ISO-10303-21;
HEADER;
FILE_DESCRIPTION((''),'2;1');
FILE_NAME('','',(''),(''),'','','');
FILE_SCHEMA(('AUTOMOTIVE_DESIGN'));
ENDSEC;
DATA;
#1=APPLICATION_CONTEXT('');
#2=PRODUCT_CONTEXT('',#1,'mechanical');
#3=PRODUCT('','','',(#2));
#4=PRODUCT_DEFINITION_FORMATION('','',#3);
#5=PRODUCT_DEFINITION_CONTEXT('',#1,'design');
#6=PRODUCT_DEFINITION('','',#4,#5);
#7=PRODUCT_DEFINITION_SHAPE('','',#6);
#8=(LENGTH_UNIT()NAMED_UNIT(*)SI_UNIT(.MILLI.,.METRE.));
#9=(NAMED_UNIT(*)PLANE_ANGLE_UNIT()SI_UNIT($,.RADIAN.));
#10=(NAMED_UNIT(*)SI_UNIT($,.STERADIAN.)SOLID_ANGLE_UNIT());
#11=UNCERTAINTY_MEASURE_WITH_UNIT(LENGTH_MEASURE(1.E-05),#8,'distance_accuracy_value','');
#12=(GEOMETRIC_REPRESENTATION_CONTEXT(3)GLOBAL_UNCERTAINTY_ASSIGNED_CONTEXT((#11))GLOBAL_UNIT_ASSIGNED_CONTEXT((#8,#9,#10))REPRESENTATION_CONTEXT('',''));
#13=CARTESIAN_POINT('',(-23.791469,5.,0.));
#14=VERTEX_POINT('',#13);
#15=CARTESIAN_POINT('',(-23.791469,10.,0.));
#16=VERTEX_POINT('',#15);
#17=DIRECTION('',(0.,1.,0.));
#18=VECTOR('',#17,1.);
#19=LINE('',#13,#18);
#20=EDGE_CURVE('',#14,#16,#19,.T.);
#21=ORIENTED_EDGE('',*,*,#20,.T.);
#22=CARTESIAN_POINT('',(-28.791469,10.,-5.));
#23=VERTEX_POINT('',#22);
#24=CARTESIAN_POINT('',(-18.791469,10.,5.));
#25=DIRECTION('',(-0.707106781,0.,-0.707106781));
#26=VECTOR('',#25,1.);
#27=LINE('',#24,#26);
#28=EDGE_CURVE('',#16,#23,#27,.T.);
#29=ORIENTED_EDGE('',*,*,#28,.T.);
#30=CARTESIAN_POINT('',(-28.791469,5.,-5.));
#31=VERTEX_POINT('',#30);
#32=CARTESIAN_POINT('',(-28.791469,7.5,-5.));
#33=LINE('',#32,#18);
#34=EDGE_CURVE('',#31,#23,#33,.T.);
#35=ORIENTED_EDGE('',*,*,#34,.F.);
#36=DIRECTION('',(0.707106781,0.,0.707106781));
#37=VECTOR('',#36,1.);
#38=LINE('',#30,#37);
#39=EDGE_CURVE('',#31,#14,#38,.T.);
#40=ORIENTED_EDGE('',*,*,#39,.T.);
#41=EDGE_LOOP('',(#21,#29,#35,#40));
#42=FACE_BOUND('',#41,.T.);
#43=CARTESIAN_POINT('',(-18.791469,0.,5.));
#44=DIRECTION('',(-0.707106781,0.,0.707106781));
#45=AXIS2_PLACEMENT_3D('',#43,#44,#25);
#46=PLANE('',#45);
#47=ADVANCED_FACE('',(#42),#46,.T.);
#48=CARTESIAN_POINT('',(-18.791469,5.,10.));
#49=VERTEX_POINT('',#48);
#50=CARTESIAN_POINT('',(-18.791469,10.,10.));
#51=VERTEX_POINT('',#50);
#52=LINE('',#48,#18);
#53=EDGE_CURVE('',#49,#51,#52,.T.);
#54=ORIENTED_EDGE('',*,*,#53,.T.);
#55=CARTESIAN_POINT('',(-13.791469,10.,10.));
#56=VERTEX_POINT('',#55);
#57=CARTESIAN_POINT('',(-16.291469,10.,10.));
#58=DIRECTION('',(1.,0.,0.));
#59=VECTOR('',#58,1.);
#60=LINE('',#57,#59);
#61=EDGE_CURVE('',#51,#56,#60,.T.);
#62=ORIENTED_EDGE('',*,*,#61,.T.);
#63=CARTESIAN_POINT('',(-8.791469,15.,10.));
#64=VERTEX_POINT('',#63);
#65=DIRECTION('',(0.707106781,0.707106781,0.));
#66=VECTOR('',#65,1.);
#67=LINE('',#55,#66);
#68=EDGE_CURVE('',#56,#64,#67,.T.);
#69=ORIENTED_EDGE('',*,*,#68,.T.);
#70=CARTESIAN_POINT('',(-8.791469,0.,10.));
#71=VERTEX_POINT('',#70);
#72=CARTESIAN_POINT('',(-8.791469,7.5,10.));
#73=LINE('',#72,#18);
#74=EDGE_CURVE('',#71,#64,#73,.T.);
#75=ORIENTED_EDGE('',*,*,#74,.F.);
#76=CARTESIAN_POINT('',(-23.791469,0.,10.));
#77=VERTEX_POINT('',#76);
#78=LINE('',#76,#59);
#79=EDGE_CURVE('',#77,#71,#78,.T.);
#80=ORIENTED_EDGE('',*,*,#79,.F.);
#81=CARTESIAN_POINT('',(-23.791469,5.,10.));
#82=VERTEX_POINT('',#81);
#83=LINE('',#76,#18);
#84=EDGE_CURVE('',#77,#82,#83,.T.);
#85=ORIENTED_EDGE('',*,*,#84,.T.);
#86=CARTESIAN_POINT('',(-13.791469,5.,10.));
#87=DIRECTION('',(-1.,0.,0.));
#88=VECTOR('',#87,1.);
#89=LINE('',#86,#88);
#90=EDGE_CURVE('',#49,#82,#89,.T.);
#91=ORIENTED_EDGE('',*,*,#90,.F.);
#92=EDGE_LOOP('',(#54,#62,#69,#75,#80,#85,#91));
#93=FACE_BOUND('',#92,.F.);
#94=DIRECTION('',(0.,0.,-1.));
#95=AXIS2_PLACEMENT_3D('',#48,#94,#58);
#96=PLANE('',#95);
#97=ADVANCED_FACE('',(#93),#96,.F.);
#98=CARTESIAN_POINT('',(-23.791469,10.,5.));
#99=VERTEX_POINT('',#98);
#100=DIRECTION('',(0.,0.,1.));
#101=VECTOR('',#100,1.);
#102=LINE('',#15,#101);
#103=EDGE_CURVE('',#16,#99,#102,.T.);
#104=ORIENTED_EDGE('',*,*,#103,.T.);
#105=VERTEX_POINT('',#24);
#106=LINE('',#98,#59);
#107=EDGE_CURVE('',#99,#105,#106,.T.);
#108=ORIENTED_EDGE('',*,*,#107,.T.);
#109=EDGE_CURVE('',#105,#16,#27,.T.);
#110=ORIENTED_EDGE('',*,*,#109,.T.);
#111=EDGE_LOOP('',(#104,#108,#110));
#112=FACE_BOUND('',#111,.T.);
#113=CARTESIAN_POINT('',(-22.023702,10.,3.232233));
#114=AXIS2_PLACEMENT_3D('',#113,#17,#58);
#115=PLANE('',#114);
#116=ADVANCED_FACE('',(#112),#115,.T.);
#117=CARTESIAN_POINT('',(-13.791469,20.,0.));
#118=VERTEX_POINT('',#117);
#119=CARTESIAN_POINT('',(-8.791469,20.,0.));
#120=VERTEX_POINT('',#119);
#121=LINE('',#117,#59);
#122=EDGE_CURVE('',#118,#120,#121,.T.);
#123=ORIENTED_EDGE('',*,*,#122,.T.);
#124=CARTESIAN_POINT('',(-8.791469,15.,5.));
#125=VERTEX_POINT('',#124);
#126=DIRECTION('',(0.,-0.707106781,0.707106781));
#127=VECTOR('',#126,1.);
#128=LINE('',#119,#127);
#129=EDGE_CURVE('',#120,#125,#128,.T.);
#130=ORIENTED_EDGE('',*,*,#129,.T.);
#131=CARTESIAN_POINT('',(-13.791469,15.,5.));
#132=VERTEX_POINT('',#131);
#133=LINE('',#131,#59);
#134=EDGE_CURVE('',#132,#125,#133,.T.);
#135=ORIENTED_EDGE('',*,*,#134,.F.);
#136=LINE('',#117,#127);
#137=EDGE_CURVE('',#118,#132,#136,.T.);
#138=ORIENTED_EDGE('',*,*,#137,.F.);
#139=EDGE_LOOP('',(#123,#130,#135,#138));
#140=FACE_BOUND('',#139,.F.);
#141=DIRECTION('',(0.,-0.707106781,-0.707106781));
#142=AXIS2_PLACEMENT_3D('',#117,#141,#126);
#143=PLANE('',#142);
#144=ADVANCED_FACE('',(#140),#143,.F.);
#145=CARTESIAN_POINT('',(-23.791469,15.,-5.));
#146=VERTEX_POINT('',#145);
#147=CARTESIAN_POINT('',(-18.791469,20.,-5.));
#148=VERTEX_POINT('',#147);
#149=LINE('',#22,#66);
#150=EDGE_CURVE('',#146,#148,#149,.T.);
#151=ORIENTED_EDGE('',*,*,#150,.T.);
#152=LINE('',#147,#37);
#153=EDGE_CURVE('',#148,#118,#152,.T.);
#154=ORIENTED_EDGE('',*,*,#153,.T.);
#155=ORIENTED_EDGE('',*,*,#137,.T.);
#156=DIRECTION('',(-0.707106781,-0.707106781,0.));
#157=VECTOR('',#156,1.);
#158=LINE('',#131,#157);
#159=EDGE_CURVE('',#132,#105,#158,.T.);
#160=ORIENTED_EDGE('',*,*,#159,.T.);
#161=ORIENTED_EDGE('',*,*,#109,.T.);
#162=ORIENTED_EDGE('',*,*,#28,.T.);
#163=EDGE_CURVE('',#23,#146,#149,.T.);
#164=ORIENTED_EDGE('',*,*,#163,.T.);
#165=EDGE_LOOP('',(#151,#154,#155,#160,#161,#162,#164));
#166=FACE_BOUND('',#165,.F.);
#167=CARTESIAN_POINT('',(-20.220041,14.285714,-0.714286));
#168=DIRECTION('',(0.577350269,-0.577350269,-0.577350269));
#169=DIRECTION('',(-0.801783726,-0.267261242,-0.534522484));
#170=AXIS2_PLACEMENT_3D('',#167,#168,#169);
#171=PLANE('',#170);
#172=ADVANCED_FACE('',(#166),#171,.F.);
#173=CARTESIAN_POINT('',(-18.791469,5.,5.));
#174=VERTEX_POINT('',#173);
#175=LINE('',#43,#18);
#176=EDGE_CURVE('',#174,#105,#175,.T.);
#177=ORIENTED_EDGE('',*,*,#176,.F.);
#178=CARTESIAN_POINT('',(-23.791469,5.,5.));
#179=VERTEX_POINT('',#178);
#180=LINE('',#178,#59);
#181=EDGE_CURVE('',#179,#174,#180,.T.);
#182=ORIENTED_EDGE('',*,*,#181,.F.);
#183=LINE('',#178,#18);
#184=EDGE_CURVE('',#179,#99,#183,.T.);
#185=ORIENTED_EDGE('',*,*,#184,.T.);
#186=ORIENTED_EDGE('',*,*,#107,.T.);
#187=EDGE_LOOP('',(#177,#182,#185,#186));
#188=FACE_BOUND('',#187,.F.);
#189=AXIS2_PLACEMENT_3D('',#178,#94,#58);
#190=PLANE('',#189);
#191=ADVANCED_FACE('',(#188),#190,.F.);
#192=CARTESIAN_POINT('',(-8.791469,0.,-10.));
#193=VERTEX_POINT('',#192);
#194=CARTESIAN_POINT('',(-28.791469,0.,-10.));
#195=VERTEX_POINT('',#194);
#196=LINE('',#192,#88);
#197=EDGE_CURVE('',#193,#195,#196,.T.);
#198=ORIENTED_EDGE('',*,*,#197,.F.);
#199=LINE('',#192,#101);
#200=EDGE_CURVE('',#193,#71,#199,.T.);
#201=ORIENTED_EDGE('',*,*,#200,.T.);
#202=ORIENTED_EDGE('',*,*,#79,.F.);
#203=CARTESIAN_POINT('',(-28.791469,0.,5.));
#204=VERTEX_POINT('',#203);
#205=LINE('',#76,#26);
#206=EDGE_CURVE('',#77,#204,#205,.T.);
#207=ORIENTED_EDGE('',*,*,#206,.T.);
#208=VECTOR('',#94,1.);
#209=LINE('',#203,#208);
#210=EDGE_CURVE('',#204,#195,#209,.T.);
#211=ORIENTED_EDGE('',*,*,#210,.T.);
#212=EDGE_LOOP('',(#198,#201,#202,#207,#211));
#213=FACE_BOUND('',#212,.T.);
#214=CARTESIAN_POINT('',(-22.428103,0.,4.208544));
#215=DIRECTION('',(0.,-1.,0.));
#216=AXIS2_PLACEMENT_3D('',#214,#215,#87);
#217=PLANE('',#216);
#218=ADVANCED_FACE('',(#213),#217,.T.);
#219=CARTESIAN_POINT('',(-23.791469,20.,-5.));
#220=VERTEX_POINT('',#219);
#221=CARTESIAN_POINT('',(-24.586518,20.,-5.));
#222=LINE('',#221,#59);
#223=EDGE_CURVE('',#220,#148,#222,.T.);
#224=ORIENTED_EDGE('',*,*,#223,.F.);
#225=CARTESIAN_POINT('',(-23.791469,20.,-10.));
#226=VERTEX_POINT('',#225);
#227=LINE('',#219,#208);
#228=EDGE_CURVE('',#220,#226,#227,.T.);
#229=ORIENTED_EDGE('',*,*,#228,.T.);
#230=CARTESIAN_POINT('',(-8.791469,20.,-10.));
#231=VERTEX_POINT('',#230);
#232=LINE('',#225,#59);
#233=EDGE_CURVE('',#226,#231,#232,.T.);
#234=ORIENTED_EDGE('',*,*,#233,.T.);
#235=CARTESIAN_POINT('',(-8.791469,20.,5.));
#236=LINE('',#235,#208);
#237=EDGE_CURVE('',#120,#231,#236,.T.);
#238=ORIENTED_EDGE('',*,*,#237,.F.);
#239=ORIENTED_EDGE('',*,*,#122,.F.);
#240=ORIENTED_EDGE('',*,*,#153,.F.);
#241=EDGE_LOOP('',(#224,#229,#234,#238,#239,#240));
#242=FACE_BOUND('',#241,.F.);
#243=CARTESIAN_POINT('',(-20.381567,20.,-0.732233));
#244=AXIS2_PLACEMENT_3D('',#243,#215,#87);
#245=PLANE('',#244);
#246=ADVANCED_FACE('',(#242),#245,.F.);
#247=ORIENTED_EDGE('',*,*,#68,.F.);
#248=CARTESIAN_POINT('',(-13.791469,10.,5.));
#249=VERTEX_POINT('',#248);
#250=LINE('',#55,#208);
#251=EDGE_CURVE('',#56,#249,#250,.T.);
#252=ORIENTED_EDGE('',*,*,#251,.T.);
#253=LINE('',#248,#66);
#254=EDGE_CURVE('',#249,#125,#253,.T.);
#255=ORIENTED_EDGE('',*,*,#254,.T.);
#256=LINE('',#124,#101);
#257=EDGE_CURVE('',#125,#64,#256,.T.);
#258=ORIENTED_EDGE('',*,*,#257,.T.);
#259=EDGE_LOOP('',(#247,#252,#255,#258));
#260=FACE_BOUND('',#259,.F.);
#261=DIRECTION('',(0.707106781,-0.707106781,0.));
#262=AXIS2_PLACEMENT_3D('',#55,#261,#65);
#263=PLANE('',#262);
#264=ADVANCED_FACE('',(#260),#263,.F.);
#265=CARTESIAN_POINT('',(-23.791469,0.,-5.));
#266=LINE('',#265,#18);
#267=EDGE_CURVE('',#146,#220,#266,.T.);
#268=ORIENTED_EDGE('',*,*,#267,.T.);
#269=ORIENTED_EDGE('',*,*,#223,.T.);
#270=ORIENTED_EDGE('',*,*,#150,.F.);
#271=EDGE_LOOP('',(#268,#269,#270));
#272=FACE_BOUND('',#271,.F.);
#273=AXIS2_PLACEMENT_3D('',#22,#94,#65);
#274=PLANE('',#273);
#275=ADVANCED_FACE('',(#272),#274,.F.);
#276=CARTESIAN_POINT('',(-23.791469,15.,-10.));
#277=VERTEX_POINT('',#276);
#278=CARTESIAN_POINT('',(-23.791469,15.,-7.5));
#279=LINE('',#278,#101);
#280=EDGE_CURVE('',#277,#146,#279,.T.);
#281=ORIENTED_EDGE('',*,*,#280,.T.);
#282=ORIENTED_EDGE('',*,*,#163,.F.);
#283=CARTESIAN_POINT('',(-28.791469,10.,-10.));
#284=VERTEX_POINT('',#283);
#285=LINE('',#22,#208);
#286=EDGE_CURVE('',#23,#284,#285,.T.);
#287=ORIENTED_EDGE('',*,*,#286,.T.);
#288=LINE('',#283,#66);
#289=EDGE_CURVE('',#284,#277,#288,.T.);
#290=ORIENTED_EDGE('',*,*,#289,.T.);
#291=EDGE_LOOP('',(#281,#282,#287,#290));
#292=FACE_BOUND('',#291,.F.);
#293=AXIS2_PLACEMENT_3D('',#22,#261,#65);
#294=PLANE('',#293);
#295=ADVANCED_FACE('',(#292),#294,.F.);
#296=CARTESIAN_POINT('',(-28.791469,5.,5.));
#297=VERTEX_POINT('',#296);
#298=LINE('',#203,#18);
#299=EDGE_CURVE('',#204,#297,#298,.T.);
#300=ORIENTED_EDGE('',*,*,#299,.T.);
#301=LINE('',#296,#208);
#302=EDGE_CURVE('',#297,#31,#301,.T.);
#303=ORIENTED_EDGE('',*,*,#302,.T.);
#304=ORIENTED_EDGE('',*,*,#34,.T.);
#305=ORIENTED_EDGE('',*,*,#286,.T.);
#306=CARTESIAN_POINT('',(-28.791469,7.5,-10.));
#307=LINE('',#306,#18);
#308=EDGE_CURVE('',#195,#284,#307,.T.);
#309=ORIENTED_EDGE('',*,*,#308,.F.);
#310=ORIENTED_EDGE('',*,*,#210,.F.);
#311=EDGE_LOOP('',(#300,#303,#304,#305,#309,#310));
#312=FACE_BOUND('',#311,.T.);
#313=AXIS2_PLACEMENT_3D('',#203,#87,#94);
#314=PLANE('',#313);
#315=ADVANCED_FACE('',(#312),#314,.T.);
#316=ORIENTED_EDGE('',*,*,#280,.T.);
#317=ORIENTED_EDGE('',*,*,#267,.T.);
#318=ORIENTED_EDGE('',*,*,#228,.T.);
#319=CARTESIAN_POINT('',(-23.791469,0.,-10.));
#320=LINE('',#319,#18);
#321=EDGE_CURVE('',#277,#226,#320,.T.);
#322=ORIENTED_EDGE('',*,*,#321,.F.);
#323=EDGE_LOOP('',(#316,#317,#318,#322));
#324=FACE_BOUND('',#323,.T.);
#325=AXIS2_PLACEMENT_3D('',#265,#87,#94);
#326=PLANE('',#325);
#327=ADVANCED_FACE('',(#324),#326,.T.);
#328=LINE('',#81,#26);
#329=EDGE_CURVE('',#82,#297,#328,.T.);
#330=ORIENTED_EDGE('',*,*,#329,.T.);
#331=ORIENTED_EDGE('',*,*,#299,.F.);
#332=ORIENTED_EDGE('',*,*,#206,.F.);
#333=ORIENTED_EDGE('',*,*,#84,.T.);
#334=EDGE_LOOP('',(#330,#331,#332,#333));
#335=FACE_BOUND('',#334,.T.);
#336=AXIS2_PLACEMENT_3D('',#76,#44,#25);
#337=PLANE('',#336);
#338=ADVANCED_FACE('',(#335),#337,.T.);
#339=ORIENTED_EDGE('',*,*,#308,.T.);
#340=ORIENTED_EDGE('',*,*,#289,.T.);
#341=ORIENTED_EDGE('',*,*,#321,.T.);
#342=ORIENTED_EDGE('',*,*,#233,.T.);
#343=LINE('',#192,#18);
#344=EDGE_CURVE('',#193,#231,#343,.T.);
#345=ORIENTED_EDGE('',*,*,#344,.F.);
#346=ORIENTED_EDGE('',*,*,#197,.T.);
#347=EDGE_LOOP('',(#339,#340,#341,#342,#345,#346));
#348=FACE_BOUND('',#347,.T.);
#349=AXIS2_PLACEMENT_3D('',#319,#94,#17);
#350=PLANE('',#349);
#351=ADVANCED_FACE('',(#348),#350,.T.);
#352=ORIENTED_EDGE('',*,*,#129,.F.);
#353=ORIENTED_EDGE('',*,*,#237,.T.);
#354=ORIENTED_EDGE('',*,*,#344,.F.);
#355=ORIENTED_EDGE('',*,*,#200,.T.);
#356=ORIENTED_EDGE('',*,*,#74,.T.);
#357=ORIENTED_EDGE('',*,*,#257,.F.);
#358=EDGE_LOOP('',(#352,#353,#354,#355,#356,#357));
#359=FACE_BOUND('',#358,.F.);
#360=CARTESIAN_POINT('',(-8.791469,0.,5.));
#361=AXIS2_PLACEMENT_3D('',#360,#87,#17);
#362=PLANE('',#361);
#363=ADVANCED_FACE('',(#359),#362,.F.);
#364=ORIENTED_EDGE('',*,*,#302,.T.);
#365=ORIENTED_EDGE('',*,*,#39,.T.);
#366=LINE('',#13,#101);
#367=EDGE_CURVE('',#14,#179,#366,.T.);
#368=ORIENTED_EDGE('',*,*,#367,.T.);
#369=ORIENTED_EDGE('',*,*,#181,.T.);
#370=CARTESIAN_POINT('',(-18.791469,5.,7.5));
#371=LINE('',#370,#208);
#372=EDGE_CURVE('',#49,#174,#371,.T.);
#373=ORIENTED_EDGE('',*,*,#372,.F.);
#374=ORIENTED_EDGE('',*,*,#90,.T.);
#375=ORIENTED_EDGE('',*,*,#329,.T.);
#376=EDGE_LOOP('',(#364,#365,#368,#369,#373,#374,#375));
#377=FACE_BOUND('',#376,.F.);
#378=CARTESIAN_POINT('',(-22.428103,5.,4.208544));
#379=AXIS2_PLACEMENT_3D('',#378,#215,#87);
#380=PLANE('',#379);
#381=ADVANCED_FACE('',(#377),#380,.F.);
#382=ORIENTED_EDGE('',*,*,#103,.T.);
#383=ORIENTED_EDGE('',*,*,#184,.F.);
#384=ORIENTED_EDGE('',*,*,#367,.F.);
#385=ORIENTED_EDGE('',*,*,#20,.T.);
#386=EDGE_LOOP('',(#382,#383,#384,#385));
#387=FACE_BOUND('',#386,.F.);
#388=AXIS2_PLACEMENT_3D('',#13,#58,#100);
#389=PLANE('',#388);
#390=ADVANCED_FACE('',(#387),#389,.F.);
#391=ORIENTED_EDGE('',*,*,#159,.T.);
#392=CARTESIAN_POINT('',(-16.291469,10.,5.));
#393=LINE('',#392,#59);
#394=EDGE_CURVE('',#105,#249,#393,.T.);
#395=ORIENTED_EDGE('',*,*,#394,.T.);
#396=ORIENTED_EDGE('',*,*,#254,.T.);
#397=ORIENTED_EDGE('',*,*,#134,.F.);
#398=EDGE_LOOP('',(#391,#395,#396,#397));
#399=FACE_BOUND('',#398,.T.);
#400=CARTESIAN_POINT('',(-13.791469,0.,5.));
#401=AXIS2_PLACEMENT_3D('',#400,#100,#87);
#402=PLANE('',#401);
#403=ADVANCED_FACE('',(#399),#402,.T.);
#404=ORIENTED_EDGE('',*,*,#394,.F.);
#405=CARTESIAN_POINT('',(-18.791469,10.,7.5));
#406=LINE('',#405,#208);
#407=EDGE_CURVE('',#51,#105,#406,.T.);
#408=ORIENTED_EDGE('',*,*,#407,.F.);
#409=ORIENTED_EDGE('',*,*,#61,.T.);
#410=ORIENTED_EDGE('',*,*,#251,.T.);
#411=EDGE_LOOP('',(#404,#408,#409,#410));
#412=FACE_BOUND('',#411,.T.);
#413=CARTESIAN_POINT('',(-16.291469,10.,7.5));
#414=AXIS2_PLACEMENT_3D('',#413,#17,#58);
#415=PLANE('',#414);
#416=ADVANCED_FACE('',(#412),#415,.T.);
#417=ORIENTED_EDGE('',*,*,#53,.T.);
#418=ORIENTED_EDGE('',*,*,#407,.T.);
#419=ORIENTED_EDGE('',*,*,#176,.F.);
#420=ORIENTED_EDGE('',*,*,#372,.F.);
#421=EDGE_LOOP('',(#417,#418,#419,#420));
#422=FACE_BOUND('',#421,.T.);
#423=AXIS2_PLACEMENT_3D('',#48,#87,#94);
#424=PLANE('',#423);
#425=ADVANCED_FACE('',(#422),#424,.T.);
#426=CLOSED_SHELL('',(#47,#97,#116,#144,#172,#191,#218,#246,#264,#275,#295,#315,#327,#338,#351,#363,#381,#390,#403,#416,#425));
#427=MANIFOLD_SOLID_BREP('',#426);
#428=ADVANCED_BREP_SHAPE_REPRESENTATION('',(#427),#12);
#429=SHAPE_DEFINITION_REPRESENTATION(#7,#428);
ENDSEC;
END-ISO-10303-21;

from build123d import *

# Parameters (mm, degrees)
BOSS_EXTRUDE1_DEPTH = 20
SKETCH2_W           = 5
SKETCH2_H           = 20
BOSS_EXTRUDE2_DEPTH = 5
CUT_EXTRUDE1_DEPTH  = 5
SKETCH4_W           = 5
SKETCH4_H           = 15
BOSS_EXTRUDE4_DEPTH = 5
CUT_EXTRUDE3_DEPTH  = 5
SKETCH7_W           = 5
SKETCH7_H           = 15
BOSS_EXTRUDE5_DEPTH = 5
CUT_EXTRUDE4_DEPTH  = 5
BOSS_EXTRUDE6_DEPTH = 20
CUT_EXTRUDE15_DEPTH = 61
BOSS_EXTRUDE7_DEPTH = 5
SKETCH11_W          = 5
SKETCH11_H          = 5
BOSS_EXTRUDE8_DEPTH = 5


with BuildPart() as part:
    # Sketch1 → Boss-Extrude1 (new body)
    with BuildSketch(Plane(origin=(0, 0, 0), x_dir=(1, 0, 0), z_dir=(0, 1, 0))):
        Polygon((-23.791469194, 10), (-8.791469194, 10), (-8.791469194, 0), (-13.791469194, 0), (-18.791469194, 5), (-23.791469194, 5), align=None)
    extrude(amount=BOSS_EXTRUDE1_DEPTH)

    # Sketch2 → Boss-Extrude2 (add)
    with BuildSketch(Plane.XY):
        with Locations((-11.291469194, 10)):
            Rectangle(SKETCH2_W, SKETCH2_H)
    extrude(amount=BOSS_EXTRUDE2_DEPTH)

    # Sketch3 → Cut-Extrude1 (cut)
    with BuildSketch(Plane.ZY.offset(13.791469194)):
        Polygon((0, 20), (5, 15), (5, 20), align=None)
    extrude(amount=-CUT_EXTRUDE1_DEPTH, mode=Mode.SUBTRACT)

    # Sketch4 → Boss-Extrude4 (add)
    with BuildSketch(Plane.ZY.offset(23.791469194)):
        with Locations((-7.5, 7.5)):
            Rectangle(SKETCH4_W, SKETCH4_H)
    extrude(amount=BOSS_EXTRUDE4_DEPTH)

    # Sketch6 → Cut-Extrude3 (cut)
    with BuildSketch(Plane.XY.offset(-5)):
        Polygon((-23.791469194, 15), (-28.791469194, 15), (-28.791469194, 10), align=None)
    extrude(amount=-CUT_EXTRUDE3_DEPTH, mode=Mode.SUBTRACT)

    # Sketch7 → Boss-Extrude5 (add)
    with BuildSketch(Plane.XY.offset(5)):
        with Locations((-11.291469194, 7.5)):
            Rectangle(SKETCH7_W, SKETCH7_H)
    extrude(amount=BOSS_EXTRUDE5_DEPTH)

    # Sketch8 → Cut-Extrude4 (cut)
    with BuildSketch(Plane.XY.offset(10)):
        Polygon((-8.791469194, 15), (-13.791469194, 15), (-13.791469194, 10), align=None)
    extrude(amount=-CUT_EXTRUDE4_DEPTH, mode=Mode.SUBTRACT)

    # Sketch9 → Boss-Extrude6 (add)
    with BuildSketch(Plane(origin=(0, 0, 0), x_dir=(-1, 0, 0), z_dir=(0, -1, 0))):
        Polygon((28.791469194, 5), (18.791469194, 5), (13.791469194, 0), (13.791469194, -5), (18.791469194, -5), align=None)
    extrude(amount=-BOSS_EXTRUDE6_DEPTH)

    # 3DSketch1 → Cut-Extrude15 (cut, along a direction that is not the sketch's normal)
    with BuildSketch(Plane(origin=(-28.791469194, 10, -5), x_dir=(0.8017837257372719, 0.2672612419124303, 0.5345224838248478), z_dir=(-0.5773502691896281, 0.5773502691896282, 0.5773502691896213))):
        Polygon((0, 0), (10.690449676, 9.258200998), (17.371980724, 6.943650748), (18.708286934, 0), (13.363062096, -4.629100499), align=None)
    extrude(amount=CUT_EXTRUDE15_DEPTH, dir=(0, 1, 0), mode=Mode.SUBTRACT)

    # Sketch10 → Boss-Extrude7 (add)
    with BuildSketch(Plane(origin=(0, 0, 0), x_dir=(-1, 0, 0), z_dir=(0, -1, 0))):
        Polygon((28.791469194, 5), (18.791469194, -5), (13.791469194, -5), (13.791469194, -10), (23.791469194, -10), (28.791469194, -5), align=None)
    extrude(amount=-BOSS_EXTRUDE7_DEPTH)

    # Sketch11 → Boss-Extrude8 (add)
    with BuildSketch(Plane(origin=(0, 5, 0), x_dir=(1, 0, 0), z_dir=(0, 1, 0))):
        with Locations((-16.291469194, -7.5)):
            Rectangle(SKETCH11_W, SKETCH11_H)
        Polygon((-23.791469194, -5), (-18.791469194, -5), (-23.791469194, 0), align=None)
    extrude(amount=BOSS_EXTRUDE8_DEPTH)


solid = part.part
